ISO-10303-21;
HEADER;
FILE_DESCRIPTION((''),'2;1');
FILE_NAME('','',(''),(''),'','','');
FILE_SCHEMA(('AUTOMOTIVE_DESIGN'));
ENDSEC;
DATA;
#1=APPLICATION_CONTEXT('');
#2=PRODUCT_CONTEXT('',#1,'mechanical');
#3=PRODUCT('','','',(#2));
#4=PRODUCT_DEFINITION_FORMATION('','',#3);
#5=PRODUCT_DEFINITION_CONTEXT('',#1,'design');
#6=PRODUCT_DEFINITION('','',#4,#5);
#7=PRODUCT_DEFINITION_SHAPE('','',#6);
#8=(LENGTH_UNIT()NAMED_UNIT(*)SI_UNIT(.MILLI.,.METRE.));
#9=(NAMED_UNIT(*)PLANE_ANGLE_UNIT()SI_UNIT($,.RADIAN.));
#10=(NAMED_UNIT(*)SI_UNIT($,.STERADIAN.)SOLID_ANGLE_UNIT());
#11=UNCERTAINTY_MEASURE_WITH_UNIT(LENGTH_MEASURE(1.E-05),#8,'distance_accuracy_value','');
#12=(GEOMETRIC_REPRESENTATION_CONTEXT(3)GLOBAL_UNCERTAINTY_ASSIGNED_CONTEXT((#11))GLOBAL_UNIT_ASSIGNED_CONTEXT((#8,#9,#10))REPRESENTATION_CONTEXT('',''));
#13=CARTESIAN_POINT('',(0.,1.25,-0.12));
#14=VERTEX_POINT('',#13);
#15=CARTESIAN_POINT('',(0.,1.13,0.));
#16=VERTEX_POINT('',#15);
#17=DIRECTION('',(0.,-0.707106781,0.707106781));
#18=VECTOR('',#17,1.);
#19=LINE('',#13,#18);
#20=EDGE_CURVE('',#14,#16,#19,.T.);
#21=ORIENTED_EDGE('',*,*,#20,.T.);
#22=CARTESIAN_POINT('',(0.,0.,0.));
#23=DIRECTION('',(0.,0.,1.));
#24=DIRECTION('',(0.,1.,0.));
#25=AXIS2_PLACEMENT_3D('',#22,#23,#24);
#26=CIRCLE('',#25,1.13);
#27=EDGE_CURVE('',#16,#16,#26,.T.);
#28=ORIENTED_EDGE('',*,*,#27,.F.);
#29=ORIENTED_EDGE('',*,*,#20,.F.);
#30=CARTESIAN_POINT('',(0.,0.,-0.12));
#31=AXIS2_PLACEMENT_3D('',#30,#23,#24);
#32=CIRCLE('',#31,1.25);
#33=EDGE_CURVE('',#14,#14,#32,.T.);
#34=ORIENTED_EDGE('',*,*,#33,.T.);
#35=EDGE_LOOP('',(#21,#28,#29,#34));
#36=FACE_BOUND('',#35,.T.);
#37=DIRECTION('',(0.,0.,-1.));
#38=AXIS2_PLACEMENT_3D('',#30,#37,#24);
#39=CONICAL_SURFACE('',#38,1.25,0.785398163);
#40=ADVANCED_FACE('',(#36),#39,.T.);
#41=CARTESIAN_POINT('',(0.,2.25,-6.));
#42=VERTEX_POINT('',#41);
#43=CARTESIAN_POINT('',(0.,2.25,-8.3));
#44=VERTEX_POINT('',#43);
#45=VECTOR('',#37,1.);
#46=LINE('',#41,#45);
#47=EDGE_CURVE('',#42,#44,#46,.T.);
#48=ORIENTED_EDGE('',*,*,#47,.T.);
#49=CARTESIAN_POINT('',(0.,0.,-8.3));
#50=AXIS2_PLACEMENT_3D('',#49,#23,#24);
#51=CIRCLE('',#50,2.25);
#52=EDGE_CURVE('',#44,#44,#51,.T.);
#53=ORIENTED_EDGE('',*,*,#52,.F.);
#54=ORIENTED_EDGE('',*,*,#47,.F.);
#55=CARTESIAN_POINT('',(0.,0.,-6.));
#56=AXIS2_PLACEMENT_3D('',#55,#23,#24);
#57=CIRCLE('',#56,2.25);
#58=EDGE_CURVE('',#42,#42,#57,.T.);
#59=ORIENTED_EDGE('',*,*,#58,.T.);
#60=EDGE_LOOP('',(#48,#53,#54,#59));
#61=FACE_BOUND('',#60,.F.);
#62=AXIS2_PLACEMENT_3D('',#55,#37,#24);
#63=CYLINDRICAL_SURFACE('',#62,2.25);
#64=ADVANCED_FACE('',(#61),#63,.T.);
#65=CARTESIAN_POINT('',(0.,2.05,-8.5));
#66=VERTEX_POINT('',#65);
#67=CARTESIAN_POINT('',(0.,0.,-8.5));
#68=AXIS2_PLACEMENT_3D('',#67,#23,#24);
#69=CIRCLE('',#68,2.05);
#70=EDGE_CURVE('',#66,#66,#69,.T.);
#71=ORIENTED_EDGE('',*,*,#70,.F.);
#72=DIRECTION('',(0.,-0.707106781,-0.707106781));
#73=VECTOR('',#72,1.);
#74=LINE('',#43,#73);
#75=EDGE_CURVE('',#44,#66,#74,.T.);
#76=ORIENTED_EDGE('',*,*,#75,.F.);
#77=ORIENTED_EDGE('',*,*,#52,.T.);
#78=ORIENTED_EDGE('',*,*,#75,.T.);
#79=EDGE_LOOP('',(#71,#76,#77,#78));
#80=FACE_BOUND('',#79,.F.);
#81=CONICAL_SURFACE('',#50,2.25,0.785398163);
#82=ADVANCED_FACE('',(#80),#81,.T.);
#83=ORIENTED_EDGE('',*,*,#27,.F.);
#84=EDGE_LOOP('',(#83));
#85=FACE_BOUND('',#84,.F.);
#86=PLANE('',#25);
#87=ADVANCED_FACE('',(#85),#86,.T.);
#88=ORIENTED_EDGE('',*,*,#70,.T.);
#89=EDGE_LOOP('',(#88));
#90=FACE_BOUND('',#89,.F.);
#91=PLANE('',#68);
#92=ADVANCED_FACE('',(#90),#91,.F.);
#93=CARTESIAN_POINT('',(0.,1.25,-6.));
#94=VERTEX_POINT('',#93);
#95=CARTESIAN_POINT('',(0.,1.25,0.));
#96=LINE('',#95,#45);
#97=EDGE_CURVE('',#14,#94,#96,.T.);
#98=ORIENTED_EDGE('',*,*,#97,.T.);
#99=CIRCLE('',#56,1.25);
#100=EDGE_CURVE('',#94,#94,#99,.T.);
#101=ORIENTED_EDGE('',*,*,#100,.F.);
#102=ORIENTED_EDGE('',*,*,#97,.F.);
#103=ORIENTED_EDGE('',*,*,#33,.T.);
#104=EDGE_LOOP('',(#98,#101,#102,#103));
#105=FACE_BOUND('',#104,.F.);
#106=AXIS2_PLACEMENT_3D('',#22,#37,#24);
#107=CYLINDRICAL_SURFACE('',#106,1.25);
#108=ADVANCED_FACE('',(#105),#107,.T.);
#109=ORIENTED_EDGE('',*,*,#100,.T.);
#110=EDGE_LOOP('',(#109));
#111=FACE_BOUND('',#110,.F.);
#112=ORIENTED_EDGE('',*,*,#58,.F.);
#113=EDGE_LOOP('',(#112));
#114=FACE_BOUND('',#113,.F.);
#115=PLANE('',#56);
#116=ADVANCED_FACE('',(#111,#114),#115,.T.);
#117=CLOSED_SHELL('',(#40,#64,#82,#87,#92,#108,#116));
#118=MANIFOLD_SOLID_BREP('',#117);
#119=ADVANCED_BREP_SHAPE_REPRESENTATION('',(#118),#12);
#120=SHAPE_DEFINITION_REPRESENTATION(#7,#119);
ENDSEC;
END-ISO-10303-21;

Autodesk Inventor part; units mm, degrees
ref_plane "YZ Plane" through (0, 0, 0) normal (1, 0, 0) x (0, 1, 0)
ref_plane "XZ Plane" through (0, 0, 0) normal (0, 1, 0) x (-1, 0, 0)
ref_plane "XY Plane" through (0, 0, 0) normal (0, 0, 1) x (1, 0, 0)
sketch "スケッチ1" plane through (0, 0, 0) normal (1, 0, 0) x (0, 1, 0)
  line L0 (0, 0) -> (1.25, 0)
  line L1 (1.25, 0) -> (1.25, -6)
  line L2 (1.25, -6) -> (0, -6)
  line L3 (0, -6) -> (0, 0)
  line L4 (0, -6) -> (2.25, -6)
  line L5 (2.25, -6) -> (2.25, -8.5)
  line L6 (2.25, -8.5) -> (0, -8.5)
  line L7 (0, -8.5) -> (0, -6)
  line L8 (2.25, -8.3) -> (2.05, -8.5)
  line L9 (1.25, -0.12) -> (1.13, 0)
  point P0 (2.25, -7.25)
  point P1 (1.25, -6)
  dimension "d0" = 45
  dimension "d1" = 2.25
  dimension "d2" = 2.5
  dimension "d3" = 6
  dimension "d7" = 1.25
  dimension "d10" = 45
  dimension "d11" = 0.2
  dimension "d12" = 0.12
revolve "回転1" add sketch "スケッチ1" angle 360 about axis through (0, 0, -6) along (0, 0, 1) contours L0 L9 L1 L2 L3 | L2 L4 L5 L8 L6 L7
thread "ねじ2" size "M2.5x0.45" class "6g" standard "ANSI Metric M Profile" length 30
properties part number "M2-5_6mm" material "ステンレス鋼"
